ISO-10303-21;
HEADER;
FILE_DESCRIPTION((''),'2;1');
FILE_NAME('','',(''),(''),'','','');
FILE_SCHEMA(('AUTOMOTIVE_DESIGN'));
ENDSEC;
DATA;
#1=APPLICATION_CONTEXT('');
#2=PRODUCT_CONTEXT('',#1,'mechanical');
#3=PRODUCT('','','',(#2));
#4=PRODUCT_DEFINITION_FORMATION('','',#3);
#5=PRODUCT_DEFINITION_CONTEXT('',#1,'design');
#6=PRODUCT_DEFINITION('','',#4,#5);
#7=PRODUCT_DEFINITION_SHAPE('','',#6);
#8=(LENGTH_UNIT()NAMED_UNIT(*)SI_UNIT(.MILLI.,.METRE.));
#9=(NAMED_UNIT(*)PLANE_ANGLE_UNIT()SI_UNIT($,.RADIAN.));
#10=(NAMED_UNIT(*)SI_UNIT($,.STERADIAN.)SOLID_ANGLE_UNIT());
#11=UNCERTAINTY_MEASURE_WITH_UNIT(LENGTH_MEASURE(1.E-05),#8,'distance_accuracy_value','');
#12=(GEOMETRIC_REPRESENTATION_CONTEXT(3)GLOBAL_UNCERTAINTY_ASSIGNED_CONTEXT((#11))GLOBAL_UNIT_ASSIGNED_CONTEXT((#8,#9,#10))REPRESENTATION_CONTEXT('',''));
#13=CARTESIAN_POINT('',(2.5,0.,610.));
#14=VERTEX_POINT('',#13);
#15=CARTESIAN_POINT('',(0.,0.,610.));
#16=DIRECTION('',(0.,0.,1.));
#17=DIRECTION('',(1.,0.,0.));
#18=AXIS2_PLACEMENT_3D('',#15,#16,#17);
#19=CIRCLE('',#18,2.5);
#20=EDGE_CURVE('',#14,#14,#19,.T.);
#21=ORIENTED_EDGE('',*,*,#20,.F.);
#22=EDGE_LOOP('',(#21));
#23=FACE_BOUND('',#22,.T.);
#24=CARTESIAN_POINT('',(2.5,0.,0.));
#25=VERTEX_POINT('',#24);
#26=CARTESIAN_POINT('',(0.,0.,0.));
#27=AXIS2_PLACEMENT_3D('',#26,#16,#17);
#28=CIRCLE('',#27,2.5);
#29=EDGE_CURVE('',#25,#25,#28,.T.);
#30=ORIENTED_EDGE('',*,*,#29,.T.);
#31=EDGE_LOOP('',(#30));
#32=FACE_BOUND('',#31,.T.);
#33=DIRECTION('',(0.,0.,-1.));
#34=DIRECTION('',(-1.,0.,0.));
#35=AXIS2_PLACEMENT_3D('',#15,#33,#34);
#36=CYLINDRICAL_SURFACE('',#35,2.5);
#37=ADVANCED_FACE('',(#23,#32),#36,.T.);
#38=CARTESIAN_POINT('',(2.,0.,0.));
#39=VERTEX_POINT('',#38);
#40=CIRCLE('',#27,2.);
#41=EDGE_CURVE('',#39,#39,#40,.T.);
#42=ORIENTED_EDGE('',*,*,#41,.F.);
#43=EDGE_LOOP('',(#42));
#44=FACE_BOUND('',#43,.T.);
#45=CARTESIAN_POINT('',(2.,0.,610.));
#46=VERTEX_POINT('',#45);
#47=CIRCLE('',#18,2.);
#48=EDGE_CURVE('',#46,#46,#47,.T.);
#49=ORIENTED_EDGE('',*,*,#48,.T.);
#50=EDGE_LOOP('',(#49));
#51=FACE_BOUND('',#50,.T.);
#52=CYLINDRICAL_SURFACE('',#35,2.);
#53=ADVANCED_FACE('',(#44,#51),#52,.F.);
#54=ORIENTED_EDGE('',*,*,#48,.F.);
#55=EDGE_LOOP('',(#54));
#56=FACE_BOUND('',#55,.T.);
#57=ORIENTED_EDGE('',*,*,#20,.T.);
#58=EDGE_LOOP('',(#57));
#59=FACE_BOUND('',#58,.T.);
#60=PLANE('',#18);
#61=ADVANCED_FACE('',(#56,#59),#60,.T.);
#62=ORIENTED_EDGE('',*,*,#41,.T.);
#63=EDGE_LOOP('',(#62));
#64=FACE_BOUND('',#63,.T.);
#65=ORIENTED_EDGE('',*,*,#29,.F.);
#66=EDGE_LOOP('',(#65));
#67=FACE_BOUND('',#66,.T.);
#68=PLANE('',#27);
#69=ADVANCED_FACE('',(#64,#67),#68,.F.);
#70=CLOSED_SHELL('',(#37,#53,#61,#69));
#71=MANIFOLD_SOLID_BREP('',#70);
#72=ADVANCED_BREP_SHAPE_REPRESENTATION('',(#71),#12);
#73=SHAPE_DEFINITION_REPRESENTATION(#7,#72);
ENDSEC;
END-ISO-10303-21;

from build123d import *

# Parameters (mm, degrees)
SKETCH_1_R      = 2.5
SKETCH_1_R_2    = 2
EXTRUDE_1_DEPTH = 610


with BuildPart() as part:
    # ｽｹｯﾁ1 → ﾎﾞｽ - 押し出し1 (new body)
    with BuildSketch(Plane.XY):
        Circle(SKETCH_1_R)
        Circle(SKETCH_1_R_2, mode=Mode.SUBTRACT)
    extrude(amount=EXTRUDE_1_DEPTH)


solid = part.part
